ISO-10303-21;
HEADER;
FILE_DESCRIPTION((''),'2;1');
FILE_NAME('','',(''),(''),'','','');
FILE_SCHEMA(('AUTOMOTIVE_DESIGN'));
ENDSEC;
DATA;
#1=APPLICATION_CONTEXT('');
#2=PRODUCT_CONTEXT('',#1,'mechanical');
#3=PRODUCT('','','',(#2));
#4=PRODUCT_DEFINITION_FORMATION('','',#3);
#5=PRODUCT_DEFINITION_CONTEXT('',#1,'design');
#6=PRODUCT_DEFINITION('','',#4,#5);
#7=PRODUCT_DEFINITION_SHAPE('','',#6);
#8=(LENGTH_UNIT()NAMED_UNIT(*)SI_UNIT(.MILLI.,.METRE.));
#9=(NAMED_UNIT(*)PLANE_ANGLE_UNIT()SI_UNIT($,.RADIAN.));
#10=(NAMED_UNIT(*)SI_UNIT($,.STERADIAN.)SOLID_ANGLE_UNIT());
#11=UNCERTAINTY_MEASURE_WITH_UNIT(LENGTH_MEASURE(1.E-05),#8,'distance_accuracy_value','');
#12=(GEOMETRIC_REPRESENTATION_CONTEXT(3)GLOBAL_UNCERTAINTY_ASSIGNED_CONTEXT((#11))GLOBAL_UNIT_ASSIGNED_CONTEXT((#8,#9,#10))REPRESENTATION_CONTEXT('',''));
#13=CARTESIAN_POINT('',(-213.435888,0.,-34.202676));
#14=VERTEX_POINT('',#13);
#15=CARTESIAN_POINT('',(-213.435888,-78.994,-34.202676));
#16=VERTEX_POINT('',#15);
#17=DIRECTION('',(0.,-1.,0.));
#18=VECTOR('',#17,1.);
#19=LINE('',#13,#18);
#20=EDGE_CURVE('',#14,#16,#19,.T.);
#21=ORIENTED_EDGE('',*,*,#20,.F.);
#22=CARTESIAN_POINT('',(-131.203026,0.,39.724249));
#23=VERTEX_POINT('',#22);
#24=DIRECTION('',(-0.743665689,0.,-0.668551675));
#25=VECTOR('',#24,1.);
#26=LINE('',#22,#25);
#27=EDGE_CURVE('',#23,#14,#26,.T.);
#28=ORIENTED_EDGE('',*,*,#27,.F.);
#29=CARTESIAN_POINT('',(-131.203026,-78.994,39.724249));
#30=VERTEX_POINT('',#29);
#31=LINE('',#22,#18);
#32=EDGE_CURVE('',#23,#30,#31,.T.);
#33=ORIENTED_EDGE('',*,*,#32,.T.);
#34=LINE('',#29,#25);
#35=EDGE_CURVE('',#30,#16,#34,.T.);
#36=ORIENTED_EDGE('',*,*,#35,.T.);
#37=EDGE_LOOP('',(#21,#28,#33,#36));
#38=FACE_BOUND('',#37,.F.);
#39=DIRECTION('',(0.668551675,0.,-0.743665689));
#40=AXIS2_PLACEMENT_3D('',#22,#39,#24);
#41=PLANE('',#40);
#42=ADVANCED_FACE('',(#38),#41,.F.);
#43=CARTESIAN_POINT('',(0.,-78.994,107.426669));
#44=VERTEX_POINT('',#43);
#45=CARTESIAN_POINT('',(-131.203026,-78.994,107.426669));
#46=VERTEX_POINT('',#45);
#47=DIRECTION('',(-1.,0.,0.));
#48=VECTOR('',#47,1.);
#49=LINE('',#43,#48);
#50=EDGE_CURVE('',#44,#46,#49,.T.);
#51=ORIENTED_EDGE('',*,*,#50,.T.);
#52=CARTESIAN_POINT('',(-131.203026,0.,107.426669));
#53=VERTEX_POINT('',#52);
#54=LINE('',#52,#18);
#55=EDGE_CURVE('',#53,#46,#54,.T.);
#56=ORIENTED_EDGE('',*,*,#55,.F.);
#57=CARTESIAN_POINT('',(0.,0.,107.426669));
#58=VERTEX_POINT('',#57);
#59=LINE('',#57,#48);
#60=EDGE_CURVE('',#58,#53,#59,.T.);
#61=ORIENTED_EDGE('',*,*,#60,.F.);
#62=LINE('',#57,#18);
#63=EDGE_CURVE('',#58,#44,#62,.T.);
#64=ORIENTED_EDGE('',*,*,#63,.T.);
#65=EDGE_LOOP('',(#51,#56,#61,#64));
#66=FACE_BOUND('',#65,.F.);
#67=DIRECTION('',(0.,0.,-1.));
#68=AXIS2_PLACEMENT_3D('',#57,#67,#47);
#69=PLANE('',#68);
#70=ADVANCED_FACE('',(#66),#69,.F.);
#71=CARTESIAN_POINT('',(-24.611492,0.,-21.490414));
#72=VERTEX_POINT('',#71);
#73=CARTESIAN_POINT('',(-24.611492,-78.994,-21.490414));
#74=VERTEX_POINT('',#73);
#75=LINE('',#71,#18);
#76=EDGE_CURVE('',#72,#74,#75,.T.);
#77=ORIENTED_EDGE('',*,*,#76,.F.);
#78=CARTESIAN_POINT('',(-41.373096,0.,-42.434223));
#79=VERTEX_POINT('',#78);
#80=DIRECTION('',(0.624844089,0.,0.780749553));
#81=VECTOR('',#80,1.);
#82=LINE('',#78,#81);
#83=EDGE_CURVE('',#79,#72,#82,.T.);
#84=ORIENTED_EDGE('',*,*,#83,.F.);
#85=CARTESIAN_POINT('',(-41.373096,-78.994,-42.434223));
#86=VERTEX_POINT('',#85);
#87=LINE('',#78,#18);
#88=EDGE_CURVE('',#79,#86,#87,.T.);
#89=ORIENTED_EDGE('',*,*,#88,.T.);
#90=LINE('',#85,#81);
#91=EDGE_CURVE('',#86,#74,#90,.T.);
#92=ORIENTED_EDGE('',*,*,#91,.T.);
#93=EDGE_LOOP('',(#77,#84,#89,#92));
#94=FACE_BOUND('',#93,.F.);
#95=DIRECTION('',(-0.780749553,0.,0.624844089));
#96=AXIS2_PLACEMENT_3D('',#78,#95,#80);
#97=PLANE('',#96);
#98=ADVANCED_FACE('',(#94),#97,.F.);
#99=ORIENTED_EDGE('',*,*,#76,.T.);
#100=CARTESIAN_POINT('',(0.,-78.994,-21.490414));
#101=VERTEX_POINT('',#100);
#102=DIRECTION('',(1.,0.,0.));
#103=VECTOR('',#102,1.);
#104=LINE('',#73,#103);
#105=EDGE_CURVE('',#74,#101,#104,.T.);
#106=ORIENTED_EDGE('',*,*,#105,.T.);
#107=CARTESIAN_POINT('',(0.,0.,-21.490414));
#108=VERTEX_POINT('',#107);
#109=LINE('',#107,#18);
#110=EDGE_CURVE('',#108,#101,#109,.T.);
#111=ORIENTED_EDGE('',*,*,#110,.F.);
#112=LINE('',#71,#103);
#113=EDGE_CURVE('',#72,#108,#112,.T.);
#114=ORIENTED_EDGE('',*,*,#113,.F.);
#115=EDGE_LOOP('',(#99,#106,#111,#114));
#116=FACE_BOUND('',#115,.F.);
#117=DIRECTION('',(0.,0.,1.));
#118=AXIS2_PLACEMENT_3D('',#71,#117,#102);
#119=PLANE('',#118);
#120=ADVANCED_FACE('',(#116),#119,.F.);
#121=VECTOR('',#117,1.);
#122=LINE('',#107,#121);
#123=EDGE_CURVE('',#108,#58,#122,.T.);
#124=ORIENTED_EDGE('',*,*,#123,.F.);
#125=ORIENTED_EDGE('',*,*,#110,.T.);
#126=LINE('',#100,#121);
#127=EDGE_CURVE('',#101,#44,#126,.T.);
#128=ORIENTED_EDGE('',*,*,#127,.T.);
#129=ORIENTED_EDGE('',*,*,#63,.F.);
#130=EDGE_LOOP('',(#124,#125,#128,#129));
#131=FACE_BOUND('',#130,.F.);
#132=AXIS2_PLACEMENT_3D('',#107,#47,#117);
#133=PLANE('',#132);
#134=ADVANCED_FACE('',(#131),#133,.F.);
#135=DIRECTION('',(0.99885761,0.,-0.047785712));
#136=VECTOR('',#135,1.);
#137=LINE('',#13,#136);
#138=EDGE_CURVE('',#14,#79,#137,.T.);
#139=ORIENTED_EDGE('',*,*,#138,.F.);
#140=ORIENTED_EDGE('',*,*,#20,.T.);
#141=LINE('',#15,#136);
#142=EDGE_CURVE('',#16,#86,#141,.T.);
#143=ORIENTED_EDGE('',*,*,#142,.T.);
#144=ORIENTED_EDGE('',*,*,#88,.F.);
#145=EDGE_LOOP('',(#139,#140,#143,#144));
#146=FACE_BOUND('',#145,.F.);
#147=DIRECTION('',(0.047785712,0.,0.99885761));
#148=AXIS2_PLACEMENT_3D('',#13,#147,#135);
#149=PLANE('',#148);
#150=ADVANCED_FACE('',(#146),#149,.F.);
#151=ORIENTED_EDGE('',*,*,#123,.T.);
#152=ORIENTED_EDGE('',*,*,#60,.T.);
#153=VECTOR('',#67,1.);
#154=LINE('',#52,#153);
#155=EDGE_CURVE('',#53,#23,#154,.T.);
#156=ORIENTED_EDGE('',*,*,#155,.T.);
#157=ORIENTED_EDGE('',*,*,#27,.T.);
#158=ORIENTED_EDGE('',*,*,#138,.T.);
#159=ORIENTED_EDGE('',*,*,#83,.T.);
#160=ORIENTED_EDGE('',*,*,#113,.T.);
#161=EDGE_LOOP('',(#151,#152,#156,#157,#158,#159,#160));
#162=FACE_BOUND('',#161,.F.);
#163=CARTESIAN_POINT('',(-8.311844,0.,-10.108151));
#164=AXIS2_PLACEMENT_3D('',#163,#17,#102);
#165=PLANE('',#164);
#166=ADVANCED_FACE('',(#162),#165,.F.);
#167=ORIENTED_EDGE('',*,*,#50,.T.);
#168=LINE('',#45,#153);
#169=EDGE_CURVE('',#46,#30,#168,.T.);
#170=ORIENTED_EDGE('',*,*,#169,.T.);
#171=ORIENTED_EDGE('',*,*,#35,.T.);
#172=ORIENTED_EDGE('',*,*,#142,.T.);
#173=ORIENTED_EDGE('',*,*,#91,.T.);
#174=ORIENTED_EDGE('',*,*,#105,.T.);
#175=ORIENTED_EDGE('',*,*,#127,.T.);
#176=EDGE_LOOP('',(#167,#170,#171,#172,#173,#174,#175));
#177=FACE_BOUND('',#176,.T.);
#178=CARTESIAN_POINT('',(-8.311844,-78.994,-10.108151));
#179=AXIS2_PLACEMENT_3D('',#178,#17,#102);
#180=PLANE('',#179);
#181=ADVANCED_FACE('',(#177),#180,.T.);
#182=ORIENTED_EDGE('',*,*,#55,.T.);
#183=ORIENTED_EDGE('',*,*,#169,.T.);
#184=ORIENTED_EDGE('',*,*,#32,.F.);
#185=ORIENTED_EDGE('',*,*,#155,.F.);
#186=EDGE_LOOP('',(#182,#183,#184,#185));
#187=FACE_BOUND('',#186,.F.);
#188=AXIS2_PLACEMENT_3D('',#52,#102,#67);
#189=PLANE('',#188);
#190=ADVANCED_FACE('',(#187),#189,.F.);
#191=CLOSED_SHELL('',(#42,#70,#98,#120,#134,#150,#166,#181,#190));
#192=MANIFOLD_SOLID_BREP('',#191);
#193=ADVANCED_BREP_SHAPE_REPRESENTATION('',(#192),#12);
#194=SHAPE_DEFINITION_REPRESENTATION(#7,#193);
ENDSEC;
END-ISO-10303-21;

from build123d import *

# Parameters (mm, degrees)
F1_DEPTH = 78.994


with BuildPart() as f1:
    # F0 (on Front) → F1 (new body)
    with BuildSketch(Plane.XZ):
        Polygon((-24.6114916293, -21.4904136956), (0, -21.4904136956), (0, 9.2619154602), align=None)
        Polygon((-41.3730964065, -42.4342229962), (-24.6114916293, -21.4904136956), (-131.2030255795, -21.4904136956), (-131.2030255795, 3.5869509447), (-131.2030255795, 32.4510708451), (-131.2030255795, 39.7242493927), (-213.4358882904, -34.2026762664), align=None)
        Polygon((-131.2030255795, -21.4904136956), (-24.6114916293, -21.4904136956), (0, 9.2619154602), (-131.2030255795, 3.5869509447), align=None)
        Polygon((-131.2030255795, 3.5869509447), (0, 9.2619154602), (0, 107.4266694486), (-131.2030255795, 107.4266694486), (-131.2030255795, 39.7242493927), (-131.2030255795, 32.4510708451), align=None)
    extrude(amount=F1_DEPTH)


solid = f1.part
